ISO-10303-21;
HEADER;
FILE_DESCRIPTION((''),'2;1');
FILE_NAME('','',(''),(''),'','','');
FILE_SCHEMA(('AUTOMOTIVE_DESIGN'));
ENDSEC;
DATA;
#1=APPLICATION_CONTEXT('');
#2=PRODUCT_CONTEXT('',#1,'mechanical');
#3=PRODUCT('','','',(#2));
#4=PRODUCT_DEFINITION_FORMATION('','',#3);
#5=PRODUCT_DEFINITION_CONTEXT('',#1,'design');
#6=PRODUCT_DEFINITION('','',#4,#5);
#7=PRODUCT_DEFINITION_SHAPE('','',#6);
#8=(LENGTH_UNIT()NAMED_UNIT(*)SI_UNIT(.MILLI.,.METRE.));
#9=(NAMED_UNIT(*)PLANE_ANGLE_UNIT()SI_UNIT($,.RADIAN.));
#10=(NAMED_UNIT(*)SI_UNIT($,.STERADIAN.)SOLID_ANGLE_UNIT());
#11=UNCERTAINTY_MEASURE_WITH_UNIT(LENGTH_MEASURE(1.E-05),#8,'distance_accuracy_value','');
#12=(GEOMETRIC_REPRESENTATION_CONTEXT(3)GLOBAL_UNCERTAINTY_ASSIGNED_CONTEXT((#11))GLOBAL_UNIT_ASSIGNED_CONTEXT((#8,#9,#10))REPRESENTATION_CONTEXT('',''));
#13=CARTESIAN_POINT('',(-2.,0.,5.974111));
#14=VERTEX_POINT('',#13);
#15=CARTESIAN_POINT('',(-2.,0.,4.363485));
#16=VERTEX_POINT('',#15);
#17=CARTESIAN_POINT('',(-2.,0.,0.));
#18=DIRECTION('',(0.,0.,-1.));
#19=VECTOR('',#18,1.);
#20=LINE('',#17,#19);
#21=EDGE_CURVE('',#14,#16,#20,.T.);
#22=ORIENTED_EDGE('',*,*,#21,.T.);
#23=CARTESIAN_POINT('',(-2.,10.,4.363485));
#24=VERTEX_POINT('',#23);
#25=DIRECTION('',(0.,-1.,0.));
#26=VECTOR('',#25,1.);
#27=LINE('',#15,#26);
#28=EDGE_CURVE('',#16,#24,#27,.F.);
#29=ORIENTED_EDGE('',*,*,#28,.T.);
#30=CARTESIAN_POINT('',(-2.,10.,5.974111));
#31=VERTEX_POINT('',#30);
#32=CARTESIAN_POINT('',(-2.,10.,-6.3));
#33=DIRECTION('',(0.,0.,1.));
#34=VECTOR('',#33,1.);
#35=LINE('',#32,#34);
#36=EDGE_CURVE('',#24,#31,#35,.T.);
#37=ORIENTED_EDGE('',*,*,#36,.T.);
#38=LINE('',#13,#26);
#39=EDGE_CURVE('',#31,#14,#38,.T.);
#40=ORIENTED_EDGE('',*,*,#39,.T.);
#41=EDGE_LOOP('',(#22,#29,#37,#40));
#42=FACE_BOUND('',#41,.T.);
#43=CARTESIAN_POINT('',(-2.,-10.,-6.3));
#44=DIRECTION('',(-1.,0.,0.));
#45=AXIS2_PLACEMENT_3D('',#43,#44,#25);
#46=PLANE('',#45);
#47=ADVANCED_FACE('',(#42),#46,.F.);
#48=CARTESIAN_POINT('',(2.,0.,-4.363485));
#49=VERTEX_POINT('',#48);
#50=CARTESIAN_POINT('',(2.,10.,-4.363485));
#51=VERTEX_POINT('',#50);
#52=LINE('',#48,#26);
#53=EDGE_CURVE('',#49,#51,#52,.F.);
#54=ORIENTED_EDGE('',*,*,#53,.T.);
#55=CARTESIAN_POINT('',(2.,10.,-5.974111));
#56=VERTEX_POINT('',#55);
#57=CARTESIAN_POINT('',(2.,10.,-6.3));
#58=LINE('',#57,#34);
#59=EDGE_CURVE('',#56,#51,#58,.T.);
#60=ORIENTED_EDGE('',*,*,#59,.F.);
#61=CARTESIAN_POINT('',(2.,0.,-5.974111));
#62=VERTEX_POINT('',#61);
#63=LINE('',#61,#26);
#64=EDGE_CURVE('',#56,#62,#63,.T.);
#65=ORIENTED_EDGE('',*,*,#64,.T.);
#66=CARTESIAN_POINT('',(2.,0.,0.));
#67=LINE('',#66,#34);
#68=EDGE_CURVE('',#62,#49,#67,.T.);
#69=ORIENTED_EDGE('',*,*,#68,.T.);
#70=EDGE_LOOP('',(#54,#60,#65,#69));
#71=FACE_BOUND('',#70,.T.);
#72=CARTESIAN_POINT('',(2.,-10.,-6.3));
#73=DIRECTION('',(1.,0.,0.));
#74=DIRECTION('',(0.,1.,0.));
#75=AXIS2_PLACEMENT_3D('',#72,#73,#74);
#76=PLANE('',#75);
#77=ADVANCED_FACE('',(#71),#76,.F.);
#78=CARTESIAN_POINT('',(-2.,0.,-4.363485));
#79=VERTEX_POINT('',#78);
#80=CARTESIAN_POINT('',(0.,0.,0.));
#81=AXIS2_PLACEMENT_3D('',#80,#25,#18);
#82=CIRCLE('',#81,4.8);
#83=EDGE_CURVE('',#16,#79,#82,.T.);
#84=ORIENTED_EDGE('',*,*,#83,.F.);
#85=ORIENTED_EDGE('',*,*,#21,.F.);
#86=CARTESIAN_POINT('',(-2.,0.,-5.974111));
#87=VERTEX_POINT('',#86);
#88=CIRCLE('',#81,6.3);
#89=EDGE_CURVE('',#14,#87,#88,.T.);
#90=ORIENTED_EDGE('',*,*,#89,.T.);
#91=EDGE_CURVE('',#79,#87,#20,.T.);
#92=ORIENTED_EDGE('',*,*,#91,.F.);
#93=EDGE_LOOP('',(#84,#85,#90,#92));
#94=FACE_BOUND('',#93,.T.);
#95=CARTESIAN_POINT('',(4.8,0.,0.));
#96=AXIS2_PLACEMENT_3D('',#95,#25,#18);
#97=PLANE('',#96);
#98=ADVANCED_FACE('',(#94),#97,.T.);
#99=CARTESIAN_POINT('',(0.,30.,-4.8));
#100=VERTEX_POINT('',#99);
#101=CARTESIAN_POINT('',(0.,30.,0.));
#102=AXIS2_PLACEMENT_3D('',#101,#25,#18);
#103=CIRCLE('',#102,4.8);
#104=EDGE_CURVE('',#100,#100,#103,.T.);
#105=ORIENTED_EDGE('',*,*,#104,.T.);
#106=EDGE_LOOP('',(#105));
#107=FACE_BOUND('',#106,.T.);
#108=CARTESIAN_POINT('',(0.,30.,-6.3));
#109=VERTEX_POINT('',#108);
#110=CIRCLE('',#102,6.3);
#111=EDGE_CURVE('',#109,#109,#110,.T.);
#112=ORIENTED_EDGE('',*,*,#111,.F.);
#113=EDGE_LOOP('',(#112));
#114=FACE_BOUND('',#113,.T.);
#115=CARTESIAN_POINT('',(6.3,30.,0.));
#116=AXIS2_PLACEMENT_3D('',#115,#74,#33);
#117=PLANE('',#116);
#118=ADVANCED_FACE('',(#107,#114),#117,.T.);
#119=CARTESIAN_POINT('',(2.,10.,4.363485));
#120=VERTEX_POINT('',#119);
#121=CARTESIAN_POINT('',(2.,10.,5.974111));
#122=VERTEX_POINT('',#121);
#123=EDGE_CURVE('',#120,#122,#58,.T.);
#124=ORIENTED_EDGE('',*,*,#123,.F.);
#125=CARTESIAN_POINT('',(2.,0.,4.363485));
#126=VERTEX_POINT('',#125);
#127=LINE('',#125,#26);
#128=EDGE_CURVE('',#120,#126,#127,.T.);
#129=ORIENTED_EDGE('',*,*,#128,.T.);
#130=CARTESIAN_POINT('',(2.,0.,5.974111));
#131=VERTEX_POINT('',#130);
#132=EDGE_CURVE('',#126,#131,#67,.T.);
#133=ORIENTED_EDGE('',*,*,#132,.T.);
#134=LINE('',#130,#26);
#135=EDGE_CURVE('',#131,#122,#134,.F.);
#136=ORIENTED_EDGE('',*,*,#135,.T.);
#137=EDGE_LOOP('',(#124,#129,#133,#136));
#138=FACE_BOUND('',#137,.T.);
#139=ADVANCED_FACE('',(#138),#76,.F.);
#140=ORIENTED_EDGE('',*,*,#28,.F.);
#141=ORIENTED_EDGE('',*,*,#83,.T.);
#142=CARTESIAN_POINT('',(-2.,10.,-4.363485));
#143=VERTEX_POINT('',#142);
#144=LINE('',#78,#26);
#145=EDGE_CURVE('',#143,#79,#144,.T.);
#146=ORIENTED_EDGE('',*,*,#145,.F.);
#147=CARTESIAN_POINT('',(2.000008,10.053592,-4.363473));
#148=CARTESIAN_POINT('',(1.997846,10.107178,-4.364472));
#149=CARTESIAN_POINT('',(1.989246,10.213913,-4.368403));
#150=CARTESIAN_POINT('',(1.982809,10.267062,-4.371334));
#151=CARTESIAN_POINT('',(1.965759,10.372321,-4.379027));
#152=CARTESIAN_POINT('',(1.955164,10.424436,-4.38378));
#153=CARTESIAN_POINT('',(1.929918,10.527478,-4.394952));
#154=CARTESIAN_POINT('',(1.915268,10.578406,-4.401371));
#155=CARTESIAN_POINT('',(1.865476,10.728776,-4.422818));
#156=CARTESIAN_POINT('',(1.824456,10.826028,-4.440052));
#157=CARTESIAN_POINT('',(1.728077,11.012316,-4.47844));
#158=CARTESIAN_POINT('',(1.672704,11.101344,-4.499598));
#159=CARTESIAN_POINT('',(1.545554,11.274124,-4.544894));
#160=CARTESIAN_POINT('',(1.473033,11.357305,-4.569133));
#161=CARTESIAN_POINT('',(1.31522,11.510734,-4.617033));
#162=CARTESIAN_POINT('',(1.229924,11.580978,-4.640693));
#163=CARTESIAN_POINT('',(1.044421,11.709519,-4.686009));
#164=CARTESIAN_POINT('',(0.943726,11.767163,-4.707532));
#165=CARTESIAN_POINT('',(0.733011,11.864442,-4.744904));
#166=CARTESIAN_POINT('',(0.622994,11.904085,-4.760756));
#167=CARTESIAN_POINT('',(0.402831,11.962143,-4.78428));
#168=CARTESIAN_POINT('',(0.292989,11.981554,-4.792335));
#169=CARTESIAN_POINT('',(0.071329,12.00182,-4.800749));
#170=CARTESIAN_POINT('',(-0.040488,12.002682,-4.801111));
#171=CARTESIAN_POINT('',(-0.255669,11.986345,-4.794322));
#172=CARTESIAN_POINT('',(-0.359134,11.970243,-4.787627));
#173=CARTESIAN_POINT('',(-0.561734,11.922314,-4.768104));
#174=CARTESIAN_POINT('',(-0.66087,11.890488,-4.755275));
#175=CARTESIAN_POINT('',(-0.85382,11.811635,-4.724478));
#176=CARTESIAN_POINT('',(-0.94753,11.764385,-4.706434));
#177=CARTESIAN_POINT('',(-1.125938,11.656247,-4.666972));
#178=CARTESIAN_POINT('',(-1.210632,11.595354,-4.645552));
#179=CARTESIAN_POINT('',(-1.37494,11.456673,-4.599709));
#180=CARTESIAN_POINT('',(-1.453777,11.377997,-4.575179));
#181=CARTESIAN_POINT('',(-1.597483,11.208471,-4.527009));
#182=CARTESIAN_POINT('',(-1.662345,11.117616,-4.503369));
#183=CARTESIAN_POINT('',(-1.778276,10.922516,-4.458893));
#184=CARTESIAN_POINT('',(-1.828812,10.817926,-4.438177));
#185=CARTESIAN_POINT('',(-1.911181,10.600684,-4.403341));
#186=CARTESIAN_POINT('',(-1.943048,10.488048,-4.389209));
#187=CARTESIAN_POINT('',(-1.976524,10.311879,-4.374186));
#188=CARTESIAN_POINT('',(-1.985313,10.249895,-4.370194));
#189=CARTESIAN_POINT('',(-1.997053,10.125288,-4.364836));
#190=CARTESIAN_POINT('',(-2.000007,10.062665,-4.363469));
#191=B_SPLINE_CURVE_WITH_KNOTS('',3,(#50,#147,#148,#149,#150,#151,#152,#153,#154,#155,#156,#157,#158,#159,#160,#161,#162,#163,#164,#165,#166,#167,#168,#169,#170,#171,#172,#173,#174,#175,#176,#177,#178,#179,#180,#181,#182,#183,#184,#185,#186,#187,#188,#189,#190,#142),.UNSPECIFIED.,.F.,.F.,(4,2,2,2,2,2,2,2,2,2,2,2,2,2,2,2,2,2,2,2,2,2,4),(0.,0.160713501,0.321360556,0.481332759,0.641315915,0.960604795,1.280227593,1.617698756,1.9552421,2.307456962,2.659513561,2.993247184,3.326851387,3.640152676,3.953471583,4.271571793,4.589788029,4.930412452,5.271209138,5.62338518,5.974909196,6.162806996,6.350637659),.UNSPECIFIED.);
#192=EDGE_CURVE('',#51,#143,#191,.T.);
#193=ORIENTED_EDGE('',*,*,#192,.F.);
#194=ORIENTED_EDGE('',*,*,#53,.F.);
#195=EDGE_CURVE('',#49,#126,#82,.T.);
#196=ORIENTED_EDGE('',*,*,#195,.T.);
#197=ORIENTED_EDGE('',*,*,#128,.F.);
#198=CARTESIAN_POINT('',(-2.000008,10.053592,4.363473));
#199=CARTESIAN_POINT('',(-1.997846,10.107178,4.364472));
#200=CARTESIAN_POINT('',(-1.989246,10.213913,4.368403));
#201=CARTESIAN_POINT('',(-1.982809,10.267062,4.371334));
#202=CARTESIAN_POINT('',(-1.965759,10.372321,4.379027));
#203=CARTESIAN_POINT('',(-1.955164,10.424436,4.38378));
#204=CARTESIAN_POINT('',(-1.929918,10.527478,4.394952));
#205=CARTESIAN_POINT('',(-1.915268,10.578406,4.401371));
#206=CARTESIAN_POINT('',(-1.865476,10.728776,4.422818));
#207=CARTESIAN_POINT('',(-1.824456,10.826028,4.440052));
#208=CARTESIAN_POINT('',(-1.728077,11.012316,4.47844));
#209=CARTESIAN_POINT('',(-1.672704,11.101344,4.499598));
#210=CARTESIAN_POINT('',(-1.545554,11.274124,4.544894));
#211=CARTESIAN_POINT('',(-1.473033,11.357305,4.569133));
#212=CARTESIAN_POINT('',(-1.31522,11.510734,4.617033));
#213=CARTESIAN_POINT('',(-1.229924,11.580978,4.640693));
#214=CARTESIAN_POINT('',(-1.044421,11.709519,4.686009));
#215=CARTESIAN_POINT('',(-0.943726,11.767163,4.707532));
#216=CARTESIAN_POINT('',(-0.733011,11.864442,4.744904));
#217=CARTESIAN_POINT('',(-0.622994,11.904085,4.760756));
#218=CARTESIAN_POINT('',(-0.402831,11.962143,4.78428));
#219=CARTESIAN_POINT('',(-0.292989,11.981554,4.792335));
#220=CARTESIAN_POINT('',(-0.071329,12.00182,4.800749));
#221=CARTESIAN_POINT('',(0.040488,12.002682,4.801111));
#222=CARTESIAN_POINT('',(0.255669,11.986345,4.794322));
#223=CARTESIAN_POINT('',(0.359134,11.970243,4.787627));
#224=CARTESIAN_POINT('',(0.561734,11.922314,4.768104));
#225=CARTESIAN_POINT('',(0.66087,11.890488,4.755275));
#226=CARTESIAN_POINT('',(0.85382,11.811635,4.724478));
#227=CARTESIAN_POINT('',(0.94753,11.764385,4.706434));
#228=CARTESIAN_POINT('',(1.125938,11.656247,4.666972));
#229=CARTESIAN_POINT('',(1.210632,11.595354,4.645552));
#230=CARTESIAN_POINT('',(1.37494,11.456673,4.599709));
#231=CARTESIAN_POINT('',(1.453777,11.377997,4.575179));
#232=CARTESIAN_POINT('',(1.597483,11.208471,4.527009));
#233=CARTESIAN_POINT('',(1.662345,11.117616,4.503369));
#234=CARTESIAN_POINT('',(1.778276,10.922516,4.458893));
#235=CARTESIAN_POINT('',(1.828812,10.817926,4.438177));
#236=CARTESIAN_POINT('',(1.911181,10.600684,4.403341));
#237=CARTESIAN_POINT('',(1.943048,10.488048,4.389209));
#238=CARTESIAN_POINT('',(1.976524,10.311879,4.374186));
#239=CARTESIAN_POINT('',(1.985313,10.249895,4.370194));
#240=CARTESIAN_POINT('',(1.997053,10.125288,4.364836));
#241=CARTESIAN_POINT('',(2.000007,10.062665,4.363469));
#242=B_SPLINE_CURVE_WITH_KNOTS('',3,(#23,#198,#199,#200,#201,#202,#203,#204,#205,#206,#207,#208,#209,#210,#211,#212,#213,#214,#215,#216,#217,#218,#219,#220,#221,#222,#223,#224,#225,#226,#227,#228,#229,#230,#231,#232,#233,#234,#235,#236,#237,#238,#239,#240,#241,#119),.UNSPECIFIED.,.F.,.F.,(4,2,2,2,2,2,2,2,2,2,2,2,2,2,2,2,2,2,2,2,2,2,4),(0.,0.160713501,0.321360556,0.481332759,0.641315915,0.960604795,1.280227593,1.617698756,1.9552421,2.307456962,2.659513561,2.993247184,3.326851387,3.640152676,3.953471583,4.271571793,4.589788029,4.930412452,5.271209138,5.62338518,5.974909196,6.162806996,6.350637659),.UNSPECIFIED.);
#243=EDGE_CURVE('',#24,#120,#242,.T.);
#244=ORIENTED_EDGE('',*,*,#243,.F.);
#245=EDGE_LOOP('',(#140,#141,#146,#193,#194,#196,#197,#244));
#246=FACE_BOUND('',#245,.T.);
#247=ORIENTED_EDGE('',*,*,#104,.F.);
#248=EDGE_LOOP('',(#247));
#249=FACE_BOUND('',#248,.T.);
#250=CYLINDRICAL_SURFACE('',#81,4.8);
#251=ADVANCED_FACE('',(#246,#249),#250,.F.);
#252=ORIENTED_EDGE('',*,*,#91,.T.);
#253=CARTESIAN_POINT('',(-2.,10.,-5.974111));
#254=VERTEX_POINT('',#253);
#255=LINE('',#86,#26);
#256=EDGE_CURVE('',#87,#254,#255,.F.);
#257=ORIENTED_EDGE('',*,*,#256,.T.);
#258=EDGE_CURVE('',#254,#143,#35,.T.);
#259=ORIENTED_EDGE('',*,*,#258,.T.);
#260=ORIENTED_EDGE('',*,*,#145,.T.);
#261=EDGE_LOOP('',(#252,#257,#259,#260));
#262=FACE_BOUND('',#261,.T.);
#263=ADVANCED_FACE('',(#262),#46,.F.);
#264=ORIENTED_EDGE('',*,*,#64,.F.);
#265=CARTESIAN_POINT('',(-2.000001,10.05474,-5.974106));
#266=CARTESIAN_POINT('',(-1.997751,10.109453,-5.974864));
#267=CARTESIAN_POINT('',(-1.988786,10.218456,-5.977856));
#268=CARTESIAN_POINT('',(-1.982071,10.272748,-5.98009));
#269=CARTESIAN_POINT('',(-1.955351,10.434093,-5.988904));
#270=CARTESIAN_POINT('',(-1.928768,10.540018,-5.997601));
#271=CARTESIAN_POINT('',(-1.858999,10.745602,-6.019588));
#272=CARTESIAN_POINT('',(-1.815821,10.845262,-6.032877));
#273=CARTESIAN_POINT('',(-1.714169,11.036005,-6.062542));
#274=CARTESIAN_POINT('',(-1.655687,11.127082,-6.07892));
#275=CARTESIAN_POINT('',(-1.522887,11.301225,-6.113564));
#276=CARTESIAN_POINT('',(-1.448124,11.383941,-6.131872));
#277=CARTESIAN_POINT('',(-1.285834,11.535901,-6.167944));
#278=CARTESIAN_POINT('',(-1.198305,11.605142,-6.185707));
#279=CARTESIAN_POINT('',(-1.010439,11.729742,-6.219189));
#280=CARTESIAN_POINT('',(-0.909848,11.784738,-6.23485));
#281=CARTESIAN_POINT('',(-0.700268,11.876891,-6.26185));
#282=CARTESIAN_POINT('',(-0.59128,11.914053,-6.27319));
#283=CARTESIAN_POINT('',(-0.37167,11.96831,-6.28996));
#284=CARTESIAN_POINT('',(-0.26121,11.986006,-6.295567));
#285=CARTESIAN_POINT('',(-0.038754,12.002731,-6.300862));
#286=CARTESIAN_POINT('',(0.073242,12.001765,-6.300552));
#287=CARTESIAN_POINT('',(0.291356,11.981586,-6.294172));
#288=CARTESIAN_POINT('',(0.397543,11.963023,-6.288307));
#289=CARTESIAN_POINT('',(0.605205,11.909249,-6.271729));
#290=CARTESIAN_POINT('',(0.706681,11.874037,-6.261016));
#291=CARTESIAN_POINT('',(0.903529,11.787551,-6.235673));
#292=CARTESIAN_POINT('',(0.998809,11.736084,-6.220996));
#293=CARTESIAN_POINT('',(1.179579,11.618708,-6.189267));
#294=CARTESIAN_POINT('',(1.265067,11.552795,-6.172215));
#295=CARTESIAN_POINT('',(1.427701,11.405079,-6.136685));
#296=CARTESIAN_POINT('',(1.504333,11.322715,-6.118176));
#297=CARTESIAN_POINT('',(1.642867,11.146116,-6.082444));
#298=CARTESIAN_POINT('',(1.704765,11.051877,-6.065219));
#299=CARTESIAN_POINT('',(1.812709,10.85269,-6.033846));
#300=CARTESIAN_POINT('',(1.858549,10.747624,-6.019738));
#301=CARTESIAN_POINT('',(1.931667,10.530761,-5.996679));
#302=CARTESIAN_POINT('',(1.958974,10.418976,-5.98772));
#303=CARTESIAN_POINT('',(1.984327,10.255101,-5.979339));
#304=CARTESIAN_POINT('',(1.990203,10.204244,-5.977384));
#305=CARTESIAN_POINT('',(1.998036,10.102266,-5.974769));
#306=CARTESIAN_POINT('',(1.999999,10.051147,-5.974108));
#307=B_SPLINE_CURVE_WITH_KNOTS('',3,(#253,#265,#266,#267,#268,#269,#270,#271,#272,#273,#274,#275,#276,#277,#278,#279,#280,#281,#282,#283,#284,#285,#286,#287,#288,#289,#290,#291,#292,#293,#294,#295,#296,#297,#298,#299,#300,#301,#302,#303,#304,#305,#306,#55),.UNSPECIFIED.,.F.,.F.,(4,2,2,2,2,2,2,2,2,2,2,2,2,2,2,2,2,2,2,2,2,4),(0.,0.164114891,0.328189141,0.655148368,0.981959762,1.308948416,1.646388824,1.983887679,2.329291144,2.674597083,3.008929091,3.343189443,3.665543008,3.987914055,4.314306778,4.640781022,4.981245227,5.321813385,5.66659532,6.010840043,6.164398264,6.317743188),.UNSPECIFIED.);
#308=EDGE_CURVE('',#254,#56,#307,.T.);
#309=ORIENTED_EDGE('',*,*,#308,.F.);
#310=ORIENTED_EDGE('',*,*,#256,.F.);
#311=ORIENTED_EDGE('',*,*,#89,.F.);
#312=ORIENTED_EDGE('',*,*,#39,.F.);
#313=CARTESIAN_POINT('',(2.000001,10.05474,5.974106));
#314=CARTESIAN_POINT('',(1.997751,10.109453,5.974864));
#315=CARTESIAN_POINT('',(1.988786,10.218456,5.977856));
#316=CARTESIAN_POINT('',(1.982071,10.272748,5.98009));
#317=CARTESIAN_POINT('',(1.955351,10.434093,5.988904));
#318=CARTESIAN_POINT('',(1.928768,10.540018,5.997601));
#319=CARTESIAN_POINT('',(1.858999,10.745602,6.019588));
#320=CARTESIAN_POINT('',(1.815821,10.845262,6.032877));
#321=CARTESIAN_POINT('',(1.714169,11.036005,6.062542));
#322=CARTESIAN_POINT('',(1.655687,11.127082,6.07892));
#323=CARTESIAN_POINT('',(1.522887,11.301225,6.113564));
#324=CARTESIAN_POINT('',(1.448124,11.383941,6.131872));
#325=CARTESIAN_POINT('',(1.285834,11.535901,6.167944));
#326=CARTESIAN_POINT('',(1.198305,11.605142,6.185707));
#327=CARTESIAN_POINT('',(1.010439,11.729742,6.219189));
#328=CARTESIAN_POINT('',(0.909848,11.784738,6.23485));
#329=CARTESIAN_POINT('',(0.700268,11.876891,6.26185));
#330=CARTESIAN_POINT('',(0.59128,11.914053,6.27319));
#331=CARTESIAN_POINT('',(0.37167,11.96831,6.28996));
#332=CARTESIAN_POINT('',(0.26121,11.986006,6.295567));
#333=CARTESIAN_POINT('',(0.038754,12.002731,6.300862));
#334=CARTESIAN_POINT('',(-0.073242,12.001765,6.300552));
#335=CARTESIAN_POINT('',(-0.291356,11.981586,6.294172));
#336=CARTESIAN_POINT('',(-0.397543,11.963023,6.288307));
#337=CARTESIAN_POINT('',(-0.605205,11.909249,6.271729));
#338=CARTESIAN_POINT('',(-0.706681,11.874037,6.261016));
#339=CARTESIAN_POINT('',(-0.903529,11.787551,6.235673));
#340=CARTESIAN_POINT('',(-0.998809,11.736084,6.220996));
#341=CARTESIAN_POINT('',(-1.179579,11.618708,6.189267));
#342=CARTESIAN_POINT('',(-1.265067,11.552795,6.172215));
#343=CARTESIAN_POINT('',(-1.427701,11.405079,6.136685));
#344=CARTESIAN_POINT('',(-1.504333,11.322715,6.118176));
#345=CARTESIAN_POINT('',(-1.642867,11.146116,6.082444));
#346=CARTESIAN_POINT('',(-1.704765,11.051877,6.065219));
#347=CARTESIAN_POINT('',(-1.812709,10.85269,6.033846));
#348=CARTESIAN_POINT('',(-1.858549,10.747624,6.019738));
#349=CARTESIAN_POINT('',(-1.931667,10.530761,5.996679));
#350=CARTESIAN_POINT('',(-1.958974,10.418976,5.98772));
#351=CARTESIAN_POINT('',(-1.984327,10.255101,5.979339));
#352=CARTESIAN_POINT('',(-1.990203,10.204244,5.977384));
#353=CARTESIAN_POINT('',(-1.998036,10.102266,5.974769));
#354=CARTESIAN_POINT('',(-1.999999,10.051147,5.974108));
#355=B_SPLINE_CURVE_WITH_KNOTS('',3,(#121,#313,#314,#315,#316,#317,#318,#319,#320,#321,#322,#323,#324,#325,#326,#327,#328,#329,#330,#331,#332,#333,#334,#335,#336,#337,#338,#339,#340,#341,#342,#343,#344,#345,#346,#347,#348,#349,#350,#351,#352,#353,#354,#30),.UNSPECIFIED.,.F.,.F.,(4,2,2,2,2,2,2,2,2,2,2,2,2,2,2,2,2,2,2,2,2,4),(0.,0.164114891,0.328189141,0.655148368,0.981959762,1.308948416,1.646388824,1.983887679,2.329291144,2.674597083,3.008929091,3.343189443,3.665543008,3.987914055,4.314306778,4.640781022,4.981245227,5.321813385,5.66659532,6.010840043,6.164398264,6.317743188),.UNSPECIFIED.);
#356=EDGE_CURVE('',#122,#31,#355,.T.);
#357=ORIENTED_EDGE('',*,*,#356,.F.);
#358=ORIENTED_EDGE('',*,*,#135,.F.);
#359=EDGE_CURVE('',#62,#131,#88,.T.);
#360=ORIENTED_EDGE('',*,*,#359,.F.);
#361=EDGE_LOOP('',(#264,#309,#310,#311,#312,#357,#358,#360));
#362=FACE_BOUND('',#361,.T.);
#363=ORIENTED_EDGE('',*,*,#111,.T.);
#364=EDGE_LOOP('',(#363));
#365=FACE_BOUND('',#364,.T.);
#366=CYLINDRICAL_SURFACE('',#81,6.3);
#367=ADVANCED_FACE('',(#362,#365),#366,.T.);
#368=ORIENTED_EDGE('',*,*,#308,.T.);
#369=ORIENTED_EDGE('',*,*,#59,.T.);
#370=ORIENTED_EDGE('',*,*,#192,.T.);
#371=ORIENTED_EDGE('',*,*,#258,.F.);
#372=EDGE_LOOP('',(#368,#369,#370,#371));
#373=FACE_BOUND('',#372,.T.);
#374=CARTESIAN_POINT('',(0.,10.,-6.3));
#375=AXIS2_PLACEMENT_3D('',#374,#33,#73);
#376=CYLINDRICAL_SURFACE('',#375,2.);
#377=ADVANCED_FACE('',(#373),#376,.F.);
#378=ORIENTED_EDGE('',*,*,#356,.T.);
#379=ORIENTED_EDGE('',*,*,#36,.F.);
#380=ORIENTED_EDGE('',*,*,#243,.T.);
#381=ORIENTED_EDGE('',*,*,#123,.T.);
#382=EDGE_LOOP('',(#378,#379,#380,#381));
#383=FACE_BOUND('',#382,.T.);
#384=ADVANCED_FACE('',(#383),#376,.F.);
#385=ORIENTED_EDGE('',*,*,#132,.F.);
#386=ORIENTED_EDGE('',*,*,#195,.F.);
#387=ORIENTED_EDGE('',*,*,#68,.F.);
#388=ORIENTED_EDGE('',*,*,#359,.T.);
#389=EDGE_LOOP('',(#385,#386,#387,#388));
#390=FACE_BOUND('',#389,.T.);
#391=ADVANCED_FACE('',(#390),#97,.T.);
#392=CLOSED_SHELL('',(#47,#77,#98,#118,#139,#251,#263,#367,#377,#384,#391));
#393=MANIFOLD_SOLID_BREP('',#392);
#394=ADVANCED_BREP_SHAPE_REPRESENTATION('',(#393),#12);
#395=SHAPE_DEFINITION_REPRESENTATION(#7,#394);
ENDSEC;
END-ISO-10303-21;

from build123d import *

# Parameters (mm, degrees)
ESQUISSE1_W                  = 1.5
ESQUISSE1_H                  = 30
ENL_V_MAT_EXTRU_1_DEPTH      = 7.3
ENL_V_MAT_EXTRU_1_DEPTH_BACK = 7.3


with BuildPart() as part:
    # Esquisse1 → Révolution1 (revolve)
    with BuildSketch(Plane.XY):
        with Locations((5.55, 15)):
            Rectangle(ESQUISSE1_W, ESQUISSE1_H)
    revolve(axis=Axis((0, 0, 0), (0, 1, 0)))

    # Esquisse2 → Enlèv. mat.-Extru.1 (cut, two sides)
    with BuildSketch(Plane.XY) as enl_v_mat_extru_1_sk:
        with BuildLine():
            Line((-2, -10), (-2, 10))
            ThreePointArc((-2, 10), (0, 12), (2, 10))
            Line((2, 10), (2, -10))
            ThreePointArc((2, -10), (0, -12), (-2, -10))
        make_face()
    extrude(amount=ENL_V_MAT_EXTRU_1_DEPTH, mode=Mode.SUBTRACT)
    extrude(enl_v_mat_extru_1_sk.sketch, amount=-ENL_V_MAT_EXTRU_1_DEPTH_BACK, mode=Mode.SUBTRACT)


solid = part.part
